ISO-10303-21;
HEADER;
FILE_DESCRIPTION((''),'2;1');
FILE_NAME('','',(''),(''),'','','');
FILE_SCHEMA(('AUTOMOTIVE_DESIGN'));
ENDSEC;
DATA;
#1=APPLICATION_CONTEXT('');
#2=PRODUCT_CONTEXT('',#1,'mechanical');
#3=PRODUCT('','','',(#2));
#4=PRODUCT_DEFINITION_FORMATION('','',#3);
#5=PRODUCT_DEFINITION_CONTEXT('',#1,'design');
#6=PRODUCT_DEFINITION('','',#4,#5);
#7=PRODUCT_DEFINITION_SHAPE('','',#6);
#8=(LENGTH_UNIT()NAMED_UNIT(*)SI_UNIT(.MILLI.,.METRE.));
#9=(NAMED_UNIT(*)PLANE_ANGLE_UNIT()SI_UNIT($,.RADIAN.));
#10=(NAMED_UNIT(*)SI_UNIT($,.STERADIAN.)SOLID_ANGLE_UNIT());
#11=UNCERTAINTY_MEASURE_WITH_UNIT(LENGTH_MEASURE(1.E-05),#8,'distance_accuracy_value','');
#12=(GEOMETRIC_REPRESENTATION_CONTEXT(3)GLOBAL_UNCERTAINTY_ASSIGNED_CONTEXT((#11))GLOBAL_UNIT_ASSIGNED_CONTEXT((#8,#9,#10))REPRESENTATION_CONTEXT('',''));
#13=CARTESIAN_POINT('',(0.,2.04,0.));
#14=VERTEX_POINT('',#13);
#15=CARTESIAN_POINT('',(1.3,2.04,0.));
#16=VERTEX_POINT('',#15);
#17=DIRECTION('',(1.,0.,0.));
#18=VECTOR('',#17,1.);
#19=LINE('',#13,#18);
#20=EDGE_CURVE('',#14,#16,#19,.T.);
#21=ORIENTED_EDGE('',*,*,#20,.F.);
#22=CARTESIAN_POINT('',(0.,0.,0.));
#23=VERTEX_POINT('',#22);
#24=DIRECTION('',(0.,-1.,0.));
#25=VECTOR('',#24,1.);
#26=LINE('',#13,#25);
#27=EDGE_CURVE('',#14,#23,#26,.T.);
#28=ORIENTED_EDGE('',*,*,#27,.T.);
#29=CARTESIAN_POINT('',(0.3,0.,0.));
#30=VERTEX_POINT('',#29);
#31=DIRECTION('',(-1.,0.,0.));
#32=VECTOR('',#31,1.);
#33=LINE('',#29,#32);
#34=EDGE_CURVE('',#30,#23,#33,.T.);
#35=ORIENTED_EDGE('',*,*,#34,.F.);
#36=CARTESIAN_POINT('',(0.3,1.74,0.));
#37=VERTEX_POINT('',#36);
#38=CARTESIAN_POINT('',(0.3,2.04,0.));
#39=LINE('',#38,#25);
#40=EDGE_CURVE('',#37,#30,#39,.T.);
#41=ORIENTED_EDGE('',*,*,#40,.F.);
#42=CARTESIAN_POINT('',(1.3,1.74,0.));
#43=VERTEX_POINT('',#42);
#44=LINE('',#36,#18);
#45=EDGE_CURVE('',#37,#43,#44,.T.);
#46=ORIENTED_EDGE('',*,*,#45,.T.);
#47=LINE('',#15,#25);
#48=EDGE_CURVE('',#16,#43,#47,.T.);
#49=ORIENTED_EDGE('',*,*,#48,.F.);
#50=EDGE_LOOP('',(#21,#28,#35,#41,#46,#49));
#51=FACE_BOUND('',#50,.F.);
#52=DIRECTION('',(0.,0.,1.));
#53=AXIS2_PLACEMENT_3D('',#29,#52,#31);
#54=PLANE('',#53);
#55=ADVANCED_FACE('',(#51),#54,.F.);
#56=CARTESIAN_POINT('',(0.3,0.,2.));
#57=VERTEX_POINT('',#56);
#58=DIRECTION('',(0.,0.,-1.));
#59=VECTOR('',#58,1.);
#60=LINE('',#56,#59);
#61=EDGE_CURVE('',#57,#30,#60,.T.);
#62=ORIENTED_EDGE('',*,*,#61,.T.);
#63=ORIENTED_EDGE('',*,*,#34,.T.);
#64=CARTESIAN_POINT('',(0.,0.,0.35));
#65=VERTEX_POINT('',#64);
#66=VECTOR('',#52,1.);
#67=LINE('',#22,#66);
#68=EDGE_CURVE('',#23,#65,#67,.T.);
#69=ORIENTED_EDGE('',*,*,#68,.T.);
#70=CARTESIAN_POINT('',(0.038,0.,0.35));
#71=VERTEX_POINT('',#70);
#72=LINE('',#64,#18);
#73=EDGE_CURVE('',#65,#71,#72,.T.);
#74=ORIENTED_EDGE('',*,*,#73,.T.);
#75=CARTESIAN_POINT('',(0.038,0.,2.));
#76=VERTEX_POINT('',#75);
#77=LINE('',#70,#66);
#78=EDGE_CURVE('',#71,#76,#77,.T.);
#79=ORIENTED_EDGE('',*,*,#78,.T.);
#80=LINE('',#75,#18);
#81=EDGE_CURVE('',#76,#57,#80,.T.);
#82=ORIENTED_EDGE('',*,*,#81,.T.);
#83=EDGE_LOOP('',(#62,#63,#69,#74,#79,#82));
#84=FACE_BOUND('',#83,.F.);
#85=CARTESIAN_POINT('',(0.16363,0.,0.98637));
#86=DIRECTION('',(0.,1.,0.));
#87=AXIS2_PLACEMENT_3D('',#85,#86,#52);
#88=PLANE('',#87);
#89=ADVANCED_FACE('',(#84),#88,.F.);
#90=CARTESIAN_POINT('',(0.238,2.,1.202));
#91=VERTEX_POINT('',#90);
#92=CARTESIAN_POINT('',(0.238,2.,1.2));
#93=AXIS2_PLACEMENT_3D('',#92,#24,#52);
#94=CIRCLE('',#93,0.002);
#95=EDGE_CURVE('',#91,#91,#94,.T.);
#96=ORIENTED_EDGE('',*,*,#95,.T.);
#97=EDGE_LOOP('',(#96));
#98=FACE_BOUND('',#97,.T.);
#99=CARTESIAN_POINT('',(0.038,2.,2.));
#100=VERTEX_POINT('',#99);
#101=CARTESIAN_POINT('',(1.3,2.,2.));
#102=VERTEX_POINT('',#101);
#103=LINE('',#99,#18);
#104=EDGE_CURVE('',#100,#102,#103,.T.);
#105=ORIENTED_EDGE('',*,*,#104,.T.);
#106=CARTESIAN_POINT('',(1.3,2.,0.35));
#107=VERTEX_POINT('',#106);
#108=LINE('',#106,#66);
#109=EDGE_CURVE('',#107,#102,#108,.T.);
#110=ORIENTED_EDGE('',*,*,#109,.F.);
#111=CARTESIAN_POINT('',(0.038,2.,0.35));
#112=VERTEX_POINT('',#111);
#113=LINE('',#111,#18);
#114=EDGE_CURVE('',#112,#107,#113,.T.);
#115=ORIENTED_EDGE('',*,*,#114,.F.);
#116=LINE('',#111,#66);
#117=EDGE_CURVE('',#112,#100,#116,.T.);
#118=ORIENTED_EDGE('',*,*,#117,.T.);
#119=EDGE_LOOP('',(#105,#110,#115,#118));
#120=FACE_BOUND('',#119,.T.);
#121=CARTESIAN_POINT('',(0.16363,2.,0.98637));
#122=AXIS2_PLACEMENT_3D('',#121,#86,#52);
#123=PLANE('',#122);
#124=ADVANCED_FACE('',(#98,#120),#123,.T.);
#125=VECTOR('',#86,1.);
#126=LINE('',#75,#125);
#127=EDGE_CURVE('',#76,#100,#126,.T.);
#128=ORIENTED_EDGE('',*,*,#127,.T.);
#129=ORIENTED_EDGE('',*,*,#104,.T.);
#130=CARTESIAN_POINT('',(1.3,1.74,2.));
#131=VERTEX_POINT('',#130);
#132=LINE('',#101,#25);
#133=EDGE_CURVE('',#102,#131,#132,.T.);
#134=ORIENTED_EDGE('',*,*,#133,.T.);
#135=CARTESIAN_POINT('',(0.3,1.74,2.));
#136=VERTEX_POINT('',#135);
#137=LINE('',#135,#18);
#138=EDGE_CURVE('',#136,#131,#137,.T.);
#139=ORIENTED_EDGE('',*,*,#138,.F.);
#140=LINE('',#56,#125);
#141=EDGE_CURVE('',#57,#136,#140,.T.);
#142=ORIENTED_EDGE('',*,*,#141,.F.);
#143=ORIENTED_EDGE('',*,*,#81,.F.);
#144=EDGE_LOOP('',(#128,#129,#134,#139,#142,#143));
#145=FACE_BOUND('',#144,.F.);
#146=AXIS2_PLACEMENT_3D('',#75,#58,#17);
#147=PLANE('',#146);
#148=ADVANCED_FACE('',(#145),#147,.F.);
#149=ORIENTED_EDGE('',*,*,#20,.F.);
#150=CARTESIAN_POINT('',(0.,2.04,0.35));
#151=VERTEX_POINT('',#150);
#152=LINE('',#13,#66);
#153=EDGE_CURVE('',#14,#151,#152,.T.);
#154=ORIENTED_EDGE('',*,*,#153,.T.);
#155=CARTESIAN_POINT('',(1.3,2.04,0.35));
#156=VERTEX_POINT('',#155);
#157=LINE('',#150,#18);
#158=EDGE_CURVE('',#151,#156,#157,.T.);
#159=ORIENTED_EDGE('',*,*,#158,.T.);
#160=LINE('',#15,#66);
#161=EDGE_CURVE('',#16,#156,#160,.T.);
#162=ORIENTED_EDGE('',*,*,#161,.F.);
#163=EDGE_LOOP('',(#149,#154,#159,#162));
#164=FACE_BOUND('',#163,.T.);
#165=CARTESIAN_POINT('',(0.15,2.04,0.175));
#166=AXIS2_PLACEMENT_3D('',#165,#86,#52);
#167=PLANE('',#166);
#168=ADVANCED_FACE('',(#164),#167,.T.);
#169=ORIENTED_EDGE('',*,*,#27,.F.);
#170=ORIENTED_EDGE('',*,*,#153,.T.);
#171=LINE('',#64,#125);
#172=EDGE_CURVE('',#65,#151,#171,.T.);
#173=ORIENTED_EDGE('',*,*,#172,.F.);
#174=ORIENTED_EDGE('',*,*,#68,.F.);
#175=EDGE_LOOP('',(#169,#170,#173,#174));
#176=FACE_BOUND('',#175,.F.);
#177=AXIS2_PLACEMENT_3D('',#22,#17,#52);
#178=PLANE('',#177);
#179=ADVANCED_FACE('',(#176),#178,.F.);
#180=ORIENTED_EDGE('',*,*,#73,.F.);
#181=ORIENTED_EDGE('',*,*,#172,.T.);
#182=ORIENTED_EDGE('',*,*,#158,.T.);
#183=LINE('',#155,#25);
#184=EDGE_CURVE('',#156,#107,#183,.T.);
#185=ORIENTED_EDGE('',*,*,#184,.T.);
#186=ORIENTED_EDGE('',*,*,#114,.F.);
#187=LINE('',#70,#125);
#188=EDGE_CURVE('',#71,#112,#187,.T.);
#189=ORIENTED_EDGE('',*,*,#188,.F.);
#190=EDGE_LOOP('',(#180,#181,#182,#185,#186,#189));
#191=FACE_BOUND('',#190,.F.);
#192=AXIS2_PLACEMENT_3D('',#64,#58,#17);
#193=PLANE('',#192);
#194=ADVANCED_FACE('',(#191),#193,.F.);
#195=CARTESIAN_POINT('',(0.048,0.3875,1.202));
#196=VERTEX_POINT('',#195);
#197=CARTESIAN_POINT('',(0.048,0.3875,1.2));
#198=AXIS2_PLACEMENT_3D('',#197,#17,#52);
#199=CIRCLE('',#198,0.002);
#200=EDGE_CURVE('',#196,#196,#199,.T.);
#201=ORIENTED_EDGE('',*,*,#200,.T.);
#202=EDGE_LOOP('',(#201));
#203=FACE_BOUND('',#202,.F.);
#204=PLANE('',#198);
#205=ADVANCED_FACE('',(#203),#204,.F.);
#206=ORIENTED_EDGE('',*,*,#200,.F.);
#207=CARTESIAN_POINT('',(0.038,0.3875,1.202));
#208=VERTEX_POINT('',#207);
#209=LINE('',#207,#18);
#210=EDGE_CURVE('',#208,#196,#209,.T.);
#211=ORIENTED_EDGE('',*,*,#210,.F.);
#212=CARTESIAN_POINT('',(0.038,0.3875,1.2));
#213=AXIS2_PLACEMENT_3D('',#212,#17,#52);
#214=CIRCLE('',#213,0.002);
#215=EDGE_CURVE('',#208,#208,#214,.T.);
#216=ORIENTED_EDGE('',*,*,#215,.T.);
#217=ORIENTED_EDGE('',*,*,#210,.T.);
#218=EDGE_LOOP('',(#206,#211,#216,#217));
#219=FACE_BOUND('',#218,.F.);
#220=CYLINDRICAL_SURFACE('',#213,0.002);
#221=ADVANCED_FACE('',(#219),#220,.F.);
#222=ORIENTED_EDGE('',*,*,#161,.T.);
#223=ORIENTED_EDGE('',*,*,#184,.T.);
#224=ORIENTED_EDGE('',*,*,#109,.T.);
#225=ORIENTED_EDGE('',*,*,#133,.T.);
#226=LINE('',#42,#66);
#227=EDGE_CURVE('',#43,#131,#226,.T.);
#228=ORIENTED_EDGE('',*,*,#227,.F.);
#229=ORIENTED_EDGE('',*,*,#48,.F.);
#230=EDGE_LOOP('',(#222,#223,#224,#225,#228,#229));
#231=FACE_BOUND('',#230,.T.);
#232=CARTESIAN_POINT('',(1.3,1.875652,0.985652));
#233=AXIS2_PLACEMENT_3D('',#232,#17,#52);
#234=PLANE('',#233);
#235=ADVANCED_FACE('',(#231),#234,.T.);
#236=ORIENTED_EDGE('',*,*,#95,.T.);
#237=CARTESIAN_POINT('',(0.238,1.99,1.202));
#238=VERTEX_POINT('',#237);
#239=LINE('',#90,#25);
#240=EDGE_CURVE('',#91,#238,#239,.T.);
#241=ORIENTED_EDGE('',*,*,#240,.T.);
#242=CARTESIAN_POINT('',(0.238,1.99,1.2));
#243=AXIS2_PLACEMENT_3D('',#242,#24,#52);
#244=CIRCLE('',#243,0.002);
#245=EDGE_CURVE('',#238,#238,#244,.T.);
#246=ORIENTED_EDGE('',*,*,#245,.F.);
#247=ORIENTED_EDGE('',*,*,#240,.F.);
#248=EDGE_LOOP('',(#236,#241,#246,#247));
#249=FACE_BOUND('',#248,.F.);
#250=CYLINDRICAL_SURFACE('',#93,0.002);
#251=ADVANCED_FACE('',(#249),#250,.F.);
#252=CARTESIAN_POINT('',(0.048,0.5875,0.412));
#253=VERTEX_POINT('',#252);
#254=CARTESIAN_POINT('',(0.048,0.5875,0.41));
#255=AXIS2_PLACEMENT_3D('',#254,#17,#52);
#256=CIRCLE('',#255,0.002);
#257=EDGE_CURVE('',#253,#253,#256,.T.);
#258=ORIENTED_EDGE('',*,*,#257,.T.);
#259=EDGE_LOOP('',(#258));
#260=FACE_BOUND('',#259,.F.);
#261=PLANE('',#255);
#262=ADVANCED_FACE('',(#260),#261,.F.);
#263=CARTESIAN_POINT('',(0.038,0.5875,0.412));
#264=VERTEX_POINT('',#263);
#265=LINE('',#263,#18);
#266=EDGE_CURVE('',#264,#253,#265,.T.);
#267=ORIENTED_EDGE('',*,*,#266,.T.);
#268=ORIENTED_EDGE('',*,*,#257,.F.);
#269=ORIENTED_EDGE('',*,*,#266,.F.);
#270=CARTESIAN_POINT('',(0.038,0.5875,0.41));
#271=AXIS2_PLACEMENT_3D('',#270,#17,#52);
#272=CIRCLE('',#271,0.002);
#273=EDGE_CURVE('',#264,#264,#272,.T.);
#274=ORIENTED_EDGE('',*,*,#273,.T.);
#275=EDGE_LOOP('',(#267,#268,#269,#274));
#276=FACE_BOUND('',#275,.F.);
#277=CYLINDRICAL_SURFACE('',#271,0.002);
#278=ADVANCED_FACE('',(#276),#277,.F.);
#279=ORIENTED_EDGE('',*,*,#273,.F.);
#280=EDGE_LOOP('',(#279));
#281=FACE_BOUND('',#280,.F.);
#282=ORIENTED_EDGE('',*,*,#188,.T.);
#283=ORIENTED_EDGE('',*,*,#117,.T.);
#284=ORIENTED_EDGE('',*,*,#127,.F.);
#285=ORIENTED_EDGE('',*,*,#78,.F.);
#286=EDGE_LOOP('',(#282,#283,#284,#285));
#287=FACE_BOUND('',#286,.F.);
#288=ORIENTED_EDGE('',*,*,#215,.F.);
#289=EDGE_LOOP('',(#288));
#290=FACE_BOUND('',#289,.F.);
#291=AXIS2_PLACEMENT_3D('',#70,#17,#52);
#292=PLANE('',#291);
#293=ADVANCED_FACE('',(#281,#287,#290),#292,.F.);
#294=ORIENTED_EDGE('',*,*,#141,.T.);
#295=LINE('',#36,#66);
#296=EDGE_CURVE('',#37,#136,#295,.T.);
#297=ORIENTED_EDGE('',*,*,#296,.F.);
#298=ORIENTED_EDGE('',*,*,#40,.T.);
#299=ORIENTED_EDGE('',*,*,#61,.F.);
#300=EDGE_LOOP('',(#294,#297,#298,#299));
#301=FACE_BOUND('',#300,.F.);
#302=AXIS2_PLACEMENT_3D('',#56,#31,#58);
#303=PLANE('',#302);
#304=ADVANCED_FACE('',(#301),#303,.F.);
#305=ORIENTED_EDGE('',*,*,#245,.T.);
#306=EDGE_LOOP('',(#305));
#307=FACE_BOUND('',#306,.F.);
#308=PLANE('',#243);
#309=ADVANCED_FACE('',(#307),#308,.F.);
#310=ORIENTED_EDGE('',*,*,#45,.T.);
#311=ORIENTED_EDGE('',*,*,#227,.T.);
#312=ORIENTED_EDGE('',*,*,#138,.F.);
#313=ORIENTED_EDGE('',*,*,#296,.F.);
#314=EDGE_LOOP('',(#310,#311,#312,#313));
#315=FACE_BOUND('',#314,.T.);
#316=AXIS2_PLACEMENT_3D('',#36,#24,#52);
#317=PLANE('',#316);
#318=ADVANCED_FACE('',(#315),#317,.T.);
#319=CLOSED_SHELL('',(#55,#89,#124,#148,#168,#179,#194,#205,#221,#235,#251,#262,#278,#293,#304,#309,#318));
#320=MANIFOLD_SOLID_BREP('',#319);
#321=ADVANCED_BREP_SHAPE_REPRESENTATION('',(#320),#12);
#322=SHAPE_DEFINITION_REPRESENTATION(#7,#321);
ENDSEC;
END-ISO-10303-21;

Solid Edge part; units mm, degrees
sketch "Sketch1" plane through (0, 0, 0) normal (0, -1, 0) x (1, 0, 0)
  line L0 (0, 0) -> (0, 0.35)
  line L1 (0, 0.35) -> (0.038, 0.35)
  line L2 (0.038, 0.35) -> (0.038, 2)
  line L3 (0.038, 2) -> (0.3, 2)
  line L4 (0.3, 2) -> (0.3, 0)
  line L5 (0.3, 0) -> (0, 0)
  dimension "D1" = 0.35
  dimension "D2" = 0.038
  dimension "D3" = 0.3
  dimension "D4" = 2
extrude "Protrusion1" add sketch "Sketch1" against normal blind 2
hole "Bohrung_1" at (0.038, 0.5875, 0.41) direction (1, 0, 0) diameter 0.004 depth 0.01
hole "Hole1" at (0.038, 0.3875, 1.2) direction (1, 0, 0) diameter 0.004 depth 0.01
hole "Bohrung_3" at (0.238, 2, 1.2) direction (0, -1, 0) diameter 0.004 depth 0.01
sketch "Sketch2" plane through (0.15, 2, 1) normal (0, 1, 0) x (0, 0, 1)
  line L0 (-1, 0.15) -> (-1, -0.15)
  line L1 (-1, -0.15) -> (-0.65, -0.15)
  line L2 (-0.65, -0.15) -> (-0.65, 0.15)
  line L3 (-0.65, 0.15) -> (-1, 0.15)
extrude "Ausprägung_2" add sketch "Sketch2" along normal blind 0.04
sketch "Sketch3" plane through (0.3, 1.02, 1) normal (1, 0, 0) x (0, 1, 0)
  line L0 (1.02, -1) -> (1.02, -0.65)
  line L1 (1.02, -0.65) -> (0.98, -0.65)
  line L2 (0.98, -0.65) -> (0.98, 1)
  line L3 (0.98, 1) -> (0.72, 1)
  line L4 (0.72, -1) -> (0.72, 1)
  line L5 (1.02, -1) -> (0.72, -1)
  dimension "D1" = 0.3
extrude "Ausprägung_3" add sketch "Sketch3" along normal blind 1
